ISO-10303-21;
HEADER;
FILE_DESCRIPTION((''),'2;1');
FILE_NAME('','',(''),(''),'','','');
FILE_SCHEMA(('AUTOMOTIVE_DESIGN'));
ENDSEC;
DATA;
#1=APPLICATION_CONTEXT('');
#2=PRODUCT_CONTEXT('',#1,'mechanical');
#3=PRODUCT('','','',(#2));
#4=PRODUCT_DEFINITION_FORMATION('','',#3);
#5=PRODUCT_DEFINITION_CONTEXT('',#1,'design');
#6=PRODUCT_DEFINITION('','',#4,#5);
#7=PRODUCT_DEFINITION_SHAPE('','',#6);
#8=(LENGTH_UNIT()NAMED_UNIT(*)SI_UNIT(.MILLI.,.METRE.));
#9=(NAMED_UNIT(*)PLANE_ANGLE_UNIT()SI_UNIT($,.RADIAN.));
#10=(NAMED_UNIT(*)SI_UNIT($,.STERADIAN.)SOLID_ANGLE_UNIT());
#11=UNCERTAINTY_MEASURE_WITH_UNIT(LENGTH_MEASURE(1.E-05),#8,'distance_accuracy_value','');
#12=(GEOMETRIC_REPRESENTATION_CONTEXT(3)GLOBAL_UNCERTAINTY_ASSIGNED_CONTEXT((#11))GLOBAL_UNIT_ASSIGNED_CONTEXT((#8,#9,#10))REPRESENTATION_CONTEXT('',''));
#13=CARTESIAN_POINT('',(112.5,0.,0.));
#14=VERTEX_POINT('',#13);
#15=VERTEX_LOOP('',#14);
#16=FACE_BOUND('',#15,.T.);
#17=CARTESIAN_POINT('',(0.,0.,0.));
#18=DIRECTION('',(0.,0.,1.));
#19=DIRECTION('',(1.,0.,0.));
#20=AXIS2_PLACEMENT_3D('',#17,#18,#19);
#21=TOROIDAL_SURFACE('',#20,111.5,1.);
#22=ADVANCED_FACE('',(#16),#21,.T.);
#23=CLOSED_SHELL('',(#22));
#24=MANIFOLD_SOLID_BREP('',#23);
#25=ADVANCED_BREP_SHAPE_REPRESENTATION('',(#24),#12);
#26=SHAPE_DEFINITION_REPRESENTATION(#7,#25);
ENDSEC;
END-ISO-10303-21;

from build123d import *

# Parameters (mm, degrees)
SKETCH3_R = 1


with BuildPart() as part:
    # Sketch3 → Revolve1 (revolve)
    with BuildSketch(Plane(origin=(0, 0, 0), x_dir=(0, 0, -1), z_dir=(1, 0, 0)), mode=Mode.PRIVATE) as revolve1_sk:
        with Locations((0, 111.5)):
            Circle(SKETCH3_R)
    revolve(revolve1_sk.sketch.rotate(Axis((0, 0, 0), (0, 0, -1)), 90), axis=Axis((0, 0, 0), (0, 0, -1)))


solid = part.part
